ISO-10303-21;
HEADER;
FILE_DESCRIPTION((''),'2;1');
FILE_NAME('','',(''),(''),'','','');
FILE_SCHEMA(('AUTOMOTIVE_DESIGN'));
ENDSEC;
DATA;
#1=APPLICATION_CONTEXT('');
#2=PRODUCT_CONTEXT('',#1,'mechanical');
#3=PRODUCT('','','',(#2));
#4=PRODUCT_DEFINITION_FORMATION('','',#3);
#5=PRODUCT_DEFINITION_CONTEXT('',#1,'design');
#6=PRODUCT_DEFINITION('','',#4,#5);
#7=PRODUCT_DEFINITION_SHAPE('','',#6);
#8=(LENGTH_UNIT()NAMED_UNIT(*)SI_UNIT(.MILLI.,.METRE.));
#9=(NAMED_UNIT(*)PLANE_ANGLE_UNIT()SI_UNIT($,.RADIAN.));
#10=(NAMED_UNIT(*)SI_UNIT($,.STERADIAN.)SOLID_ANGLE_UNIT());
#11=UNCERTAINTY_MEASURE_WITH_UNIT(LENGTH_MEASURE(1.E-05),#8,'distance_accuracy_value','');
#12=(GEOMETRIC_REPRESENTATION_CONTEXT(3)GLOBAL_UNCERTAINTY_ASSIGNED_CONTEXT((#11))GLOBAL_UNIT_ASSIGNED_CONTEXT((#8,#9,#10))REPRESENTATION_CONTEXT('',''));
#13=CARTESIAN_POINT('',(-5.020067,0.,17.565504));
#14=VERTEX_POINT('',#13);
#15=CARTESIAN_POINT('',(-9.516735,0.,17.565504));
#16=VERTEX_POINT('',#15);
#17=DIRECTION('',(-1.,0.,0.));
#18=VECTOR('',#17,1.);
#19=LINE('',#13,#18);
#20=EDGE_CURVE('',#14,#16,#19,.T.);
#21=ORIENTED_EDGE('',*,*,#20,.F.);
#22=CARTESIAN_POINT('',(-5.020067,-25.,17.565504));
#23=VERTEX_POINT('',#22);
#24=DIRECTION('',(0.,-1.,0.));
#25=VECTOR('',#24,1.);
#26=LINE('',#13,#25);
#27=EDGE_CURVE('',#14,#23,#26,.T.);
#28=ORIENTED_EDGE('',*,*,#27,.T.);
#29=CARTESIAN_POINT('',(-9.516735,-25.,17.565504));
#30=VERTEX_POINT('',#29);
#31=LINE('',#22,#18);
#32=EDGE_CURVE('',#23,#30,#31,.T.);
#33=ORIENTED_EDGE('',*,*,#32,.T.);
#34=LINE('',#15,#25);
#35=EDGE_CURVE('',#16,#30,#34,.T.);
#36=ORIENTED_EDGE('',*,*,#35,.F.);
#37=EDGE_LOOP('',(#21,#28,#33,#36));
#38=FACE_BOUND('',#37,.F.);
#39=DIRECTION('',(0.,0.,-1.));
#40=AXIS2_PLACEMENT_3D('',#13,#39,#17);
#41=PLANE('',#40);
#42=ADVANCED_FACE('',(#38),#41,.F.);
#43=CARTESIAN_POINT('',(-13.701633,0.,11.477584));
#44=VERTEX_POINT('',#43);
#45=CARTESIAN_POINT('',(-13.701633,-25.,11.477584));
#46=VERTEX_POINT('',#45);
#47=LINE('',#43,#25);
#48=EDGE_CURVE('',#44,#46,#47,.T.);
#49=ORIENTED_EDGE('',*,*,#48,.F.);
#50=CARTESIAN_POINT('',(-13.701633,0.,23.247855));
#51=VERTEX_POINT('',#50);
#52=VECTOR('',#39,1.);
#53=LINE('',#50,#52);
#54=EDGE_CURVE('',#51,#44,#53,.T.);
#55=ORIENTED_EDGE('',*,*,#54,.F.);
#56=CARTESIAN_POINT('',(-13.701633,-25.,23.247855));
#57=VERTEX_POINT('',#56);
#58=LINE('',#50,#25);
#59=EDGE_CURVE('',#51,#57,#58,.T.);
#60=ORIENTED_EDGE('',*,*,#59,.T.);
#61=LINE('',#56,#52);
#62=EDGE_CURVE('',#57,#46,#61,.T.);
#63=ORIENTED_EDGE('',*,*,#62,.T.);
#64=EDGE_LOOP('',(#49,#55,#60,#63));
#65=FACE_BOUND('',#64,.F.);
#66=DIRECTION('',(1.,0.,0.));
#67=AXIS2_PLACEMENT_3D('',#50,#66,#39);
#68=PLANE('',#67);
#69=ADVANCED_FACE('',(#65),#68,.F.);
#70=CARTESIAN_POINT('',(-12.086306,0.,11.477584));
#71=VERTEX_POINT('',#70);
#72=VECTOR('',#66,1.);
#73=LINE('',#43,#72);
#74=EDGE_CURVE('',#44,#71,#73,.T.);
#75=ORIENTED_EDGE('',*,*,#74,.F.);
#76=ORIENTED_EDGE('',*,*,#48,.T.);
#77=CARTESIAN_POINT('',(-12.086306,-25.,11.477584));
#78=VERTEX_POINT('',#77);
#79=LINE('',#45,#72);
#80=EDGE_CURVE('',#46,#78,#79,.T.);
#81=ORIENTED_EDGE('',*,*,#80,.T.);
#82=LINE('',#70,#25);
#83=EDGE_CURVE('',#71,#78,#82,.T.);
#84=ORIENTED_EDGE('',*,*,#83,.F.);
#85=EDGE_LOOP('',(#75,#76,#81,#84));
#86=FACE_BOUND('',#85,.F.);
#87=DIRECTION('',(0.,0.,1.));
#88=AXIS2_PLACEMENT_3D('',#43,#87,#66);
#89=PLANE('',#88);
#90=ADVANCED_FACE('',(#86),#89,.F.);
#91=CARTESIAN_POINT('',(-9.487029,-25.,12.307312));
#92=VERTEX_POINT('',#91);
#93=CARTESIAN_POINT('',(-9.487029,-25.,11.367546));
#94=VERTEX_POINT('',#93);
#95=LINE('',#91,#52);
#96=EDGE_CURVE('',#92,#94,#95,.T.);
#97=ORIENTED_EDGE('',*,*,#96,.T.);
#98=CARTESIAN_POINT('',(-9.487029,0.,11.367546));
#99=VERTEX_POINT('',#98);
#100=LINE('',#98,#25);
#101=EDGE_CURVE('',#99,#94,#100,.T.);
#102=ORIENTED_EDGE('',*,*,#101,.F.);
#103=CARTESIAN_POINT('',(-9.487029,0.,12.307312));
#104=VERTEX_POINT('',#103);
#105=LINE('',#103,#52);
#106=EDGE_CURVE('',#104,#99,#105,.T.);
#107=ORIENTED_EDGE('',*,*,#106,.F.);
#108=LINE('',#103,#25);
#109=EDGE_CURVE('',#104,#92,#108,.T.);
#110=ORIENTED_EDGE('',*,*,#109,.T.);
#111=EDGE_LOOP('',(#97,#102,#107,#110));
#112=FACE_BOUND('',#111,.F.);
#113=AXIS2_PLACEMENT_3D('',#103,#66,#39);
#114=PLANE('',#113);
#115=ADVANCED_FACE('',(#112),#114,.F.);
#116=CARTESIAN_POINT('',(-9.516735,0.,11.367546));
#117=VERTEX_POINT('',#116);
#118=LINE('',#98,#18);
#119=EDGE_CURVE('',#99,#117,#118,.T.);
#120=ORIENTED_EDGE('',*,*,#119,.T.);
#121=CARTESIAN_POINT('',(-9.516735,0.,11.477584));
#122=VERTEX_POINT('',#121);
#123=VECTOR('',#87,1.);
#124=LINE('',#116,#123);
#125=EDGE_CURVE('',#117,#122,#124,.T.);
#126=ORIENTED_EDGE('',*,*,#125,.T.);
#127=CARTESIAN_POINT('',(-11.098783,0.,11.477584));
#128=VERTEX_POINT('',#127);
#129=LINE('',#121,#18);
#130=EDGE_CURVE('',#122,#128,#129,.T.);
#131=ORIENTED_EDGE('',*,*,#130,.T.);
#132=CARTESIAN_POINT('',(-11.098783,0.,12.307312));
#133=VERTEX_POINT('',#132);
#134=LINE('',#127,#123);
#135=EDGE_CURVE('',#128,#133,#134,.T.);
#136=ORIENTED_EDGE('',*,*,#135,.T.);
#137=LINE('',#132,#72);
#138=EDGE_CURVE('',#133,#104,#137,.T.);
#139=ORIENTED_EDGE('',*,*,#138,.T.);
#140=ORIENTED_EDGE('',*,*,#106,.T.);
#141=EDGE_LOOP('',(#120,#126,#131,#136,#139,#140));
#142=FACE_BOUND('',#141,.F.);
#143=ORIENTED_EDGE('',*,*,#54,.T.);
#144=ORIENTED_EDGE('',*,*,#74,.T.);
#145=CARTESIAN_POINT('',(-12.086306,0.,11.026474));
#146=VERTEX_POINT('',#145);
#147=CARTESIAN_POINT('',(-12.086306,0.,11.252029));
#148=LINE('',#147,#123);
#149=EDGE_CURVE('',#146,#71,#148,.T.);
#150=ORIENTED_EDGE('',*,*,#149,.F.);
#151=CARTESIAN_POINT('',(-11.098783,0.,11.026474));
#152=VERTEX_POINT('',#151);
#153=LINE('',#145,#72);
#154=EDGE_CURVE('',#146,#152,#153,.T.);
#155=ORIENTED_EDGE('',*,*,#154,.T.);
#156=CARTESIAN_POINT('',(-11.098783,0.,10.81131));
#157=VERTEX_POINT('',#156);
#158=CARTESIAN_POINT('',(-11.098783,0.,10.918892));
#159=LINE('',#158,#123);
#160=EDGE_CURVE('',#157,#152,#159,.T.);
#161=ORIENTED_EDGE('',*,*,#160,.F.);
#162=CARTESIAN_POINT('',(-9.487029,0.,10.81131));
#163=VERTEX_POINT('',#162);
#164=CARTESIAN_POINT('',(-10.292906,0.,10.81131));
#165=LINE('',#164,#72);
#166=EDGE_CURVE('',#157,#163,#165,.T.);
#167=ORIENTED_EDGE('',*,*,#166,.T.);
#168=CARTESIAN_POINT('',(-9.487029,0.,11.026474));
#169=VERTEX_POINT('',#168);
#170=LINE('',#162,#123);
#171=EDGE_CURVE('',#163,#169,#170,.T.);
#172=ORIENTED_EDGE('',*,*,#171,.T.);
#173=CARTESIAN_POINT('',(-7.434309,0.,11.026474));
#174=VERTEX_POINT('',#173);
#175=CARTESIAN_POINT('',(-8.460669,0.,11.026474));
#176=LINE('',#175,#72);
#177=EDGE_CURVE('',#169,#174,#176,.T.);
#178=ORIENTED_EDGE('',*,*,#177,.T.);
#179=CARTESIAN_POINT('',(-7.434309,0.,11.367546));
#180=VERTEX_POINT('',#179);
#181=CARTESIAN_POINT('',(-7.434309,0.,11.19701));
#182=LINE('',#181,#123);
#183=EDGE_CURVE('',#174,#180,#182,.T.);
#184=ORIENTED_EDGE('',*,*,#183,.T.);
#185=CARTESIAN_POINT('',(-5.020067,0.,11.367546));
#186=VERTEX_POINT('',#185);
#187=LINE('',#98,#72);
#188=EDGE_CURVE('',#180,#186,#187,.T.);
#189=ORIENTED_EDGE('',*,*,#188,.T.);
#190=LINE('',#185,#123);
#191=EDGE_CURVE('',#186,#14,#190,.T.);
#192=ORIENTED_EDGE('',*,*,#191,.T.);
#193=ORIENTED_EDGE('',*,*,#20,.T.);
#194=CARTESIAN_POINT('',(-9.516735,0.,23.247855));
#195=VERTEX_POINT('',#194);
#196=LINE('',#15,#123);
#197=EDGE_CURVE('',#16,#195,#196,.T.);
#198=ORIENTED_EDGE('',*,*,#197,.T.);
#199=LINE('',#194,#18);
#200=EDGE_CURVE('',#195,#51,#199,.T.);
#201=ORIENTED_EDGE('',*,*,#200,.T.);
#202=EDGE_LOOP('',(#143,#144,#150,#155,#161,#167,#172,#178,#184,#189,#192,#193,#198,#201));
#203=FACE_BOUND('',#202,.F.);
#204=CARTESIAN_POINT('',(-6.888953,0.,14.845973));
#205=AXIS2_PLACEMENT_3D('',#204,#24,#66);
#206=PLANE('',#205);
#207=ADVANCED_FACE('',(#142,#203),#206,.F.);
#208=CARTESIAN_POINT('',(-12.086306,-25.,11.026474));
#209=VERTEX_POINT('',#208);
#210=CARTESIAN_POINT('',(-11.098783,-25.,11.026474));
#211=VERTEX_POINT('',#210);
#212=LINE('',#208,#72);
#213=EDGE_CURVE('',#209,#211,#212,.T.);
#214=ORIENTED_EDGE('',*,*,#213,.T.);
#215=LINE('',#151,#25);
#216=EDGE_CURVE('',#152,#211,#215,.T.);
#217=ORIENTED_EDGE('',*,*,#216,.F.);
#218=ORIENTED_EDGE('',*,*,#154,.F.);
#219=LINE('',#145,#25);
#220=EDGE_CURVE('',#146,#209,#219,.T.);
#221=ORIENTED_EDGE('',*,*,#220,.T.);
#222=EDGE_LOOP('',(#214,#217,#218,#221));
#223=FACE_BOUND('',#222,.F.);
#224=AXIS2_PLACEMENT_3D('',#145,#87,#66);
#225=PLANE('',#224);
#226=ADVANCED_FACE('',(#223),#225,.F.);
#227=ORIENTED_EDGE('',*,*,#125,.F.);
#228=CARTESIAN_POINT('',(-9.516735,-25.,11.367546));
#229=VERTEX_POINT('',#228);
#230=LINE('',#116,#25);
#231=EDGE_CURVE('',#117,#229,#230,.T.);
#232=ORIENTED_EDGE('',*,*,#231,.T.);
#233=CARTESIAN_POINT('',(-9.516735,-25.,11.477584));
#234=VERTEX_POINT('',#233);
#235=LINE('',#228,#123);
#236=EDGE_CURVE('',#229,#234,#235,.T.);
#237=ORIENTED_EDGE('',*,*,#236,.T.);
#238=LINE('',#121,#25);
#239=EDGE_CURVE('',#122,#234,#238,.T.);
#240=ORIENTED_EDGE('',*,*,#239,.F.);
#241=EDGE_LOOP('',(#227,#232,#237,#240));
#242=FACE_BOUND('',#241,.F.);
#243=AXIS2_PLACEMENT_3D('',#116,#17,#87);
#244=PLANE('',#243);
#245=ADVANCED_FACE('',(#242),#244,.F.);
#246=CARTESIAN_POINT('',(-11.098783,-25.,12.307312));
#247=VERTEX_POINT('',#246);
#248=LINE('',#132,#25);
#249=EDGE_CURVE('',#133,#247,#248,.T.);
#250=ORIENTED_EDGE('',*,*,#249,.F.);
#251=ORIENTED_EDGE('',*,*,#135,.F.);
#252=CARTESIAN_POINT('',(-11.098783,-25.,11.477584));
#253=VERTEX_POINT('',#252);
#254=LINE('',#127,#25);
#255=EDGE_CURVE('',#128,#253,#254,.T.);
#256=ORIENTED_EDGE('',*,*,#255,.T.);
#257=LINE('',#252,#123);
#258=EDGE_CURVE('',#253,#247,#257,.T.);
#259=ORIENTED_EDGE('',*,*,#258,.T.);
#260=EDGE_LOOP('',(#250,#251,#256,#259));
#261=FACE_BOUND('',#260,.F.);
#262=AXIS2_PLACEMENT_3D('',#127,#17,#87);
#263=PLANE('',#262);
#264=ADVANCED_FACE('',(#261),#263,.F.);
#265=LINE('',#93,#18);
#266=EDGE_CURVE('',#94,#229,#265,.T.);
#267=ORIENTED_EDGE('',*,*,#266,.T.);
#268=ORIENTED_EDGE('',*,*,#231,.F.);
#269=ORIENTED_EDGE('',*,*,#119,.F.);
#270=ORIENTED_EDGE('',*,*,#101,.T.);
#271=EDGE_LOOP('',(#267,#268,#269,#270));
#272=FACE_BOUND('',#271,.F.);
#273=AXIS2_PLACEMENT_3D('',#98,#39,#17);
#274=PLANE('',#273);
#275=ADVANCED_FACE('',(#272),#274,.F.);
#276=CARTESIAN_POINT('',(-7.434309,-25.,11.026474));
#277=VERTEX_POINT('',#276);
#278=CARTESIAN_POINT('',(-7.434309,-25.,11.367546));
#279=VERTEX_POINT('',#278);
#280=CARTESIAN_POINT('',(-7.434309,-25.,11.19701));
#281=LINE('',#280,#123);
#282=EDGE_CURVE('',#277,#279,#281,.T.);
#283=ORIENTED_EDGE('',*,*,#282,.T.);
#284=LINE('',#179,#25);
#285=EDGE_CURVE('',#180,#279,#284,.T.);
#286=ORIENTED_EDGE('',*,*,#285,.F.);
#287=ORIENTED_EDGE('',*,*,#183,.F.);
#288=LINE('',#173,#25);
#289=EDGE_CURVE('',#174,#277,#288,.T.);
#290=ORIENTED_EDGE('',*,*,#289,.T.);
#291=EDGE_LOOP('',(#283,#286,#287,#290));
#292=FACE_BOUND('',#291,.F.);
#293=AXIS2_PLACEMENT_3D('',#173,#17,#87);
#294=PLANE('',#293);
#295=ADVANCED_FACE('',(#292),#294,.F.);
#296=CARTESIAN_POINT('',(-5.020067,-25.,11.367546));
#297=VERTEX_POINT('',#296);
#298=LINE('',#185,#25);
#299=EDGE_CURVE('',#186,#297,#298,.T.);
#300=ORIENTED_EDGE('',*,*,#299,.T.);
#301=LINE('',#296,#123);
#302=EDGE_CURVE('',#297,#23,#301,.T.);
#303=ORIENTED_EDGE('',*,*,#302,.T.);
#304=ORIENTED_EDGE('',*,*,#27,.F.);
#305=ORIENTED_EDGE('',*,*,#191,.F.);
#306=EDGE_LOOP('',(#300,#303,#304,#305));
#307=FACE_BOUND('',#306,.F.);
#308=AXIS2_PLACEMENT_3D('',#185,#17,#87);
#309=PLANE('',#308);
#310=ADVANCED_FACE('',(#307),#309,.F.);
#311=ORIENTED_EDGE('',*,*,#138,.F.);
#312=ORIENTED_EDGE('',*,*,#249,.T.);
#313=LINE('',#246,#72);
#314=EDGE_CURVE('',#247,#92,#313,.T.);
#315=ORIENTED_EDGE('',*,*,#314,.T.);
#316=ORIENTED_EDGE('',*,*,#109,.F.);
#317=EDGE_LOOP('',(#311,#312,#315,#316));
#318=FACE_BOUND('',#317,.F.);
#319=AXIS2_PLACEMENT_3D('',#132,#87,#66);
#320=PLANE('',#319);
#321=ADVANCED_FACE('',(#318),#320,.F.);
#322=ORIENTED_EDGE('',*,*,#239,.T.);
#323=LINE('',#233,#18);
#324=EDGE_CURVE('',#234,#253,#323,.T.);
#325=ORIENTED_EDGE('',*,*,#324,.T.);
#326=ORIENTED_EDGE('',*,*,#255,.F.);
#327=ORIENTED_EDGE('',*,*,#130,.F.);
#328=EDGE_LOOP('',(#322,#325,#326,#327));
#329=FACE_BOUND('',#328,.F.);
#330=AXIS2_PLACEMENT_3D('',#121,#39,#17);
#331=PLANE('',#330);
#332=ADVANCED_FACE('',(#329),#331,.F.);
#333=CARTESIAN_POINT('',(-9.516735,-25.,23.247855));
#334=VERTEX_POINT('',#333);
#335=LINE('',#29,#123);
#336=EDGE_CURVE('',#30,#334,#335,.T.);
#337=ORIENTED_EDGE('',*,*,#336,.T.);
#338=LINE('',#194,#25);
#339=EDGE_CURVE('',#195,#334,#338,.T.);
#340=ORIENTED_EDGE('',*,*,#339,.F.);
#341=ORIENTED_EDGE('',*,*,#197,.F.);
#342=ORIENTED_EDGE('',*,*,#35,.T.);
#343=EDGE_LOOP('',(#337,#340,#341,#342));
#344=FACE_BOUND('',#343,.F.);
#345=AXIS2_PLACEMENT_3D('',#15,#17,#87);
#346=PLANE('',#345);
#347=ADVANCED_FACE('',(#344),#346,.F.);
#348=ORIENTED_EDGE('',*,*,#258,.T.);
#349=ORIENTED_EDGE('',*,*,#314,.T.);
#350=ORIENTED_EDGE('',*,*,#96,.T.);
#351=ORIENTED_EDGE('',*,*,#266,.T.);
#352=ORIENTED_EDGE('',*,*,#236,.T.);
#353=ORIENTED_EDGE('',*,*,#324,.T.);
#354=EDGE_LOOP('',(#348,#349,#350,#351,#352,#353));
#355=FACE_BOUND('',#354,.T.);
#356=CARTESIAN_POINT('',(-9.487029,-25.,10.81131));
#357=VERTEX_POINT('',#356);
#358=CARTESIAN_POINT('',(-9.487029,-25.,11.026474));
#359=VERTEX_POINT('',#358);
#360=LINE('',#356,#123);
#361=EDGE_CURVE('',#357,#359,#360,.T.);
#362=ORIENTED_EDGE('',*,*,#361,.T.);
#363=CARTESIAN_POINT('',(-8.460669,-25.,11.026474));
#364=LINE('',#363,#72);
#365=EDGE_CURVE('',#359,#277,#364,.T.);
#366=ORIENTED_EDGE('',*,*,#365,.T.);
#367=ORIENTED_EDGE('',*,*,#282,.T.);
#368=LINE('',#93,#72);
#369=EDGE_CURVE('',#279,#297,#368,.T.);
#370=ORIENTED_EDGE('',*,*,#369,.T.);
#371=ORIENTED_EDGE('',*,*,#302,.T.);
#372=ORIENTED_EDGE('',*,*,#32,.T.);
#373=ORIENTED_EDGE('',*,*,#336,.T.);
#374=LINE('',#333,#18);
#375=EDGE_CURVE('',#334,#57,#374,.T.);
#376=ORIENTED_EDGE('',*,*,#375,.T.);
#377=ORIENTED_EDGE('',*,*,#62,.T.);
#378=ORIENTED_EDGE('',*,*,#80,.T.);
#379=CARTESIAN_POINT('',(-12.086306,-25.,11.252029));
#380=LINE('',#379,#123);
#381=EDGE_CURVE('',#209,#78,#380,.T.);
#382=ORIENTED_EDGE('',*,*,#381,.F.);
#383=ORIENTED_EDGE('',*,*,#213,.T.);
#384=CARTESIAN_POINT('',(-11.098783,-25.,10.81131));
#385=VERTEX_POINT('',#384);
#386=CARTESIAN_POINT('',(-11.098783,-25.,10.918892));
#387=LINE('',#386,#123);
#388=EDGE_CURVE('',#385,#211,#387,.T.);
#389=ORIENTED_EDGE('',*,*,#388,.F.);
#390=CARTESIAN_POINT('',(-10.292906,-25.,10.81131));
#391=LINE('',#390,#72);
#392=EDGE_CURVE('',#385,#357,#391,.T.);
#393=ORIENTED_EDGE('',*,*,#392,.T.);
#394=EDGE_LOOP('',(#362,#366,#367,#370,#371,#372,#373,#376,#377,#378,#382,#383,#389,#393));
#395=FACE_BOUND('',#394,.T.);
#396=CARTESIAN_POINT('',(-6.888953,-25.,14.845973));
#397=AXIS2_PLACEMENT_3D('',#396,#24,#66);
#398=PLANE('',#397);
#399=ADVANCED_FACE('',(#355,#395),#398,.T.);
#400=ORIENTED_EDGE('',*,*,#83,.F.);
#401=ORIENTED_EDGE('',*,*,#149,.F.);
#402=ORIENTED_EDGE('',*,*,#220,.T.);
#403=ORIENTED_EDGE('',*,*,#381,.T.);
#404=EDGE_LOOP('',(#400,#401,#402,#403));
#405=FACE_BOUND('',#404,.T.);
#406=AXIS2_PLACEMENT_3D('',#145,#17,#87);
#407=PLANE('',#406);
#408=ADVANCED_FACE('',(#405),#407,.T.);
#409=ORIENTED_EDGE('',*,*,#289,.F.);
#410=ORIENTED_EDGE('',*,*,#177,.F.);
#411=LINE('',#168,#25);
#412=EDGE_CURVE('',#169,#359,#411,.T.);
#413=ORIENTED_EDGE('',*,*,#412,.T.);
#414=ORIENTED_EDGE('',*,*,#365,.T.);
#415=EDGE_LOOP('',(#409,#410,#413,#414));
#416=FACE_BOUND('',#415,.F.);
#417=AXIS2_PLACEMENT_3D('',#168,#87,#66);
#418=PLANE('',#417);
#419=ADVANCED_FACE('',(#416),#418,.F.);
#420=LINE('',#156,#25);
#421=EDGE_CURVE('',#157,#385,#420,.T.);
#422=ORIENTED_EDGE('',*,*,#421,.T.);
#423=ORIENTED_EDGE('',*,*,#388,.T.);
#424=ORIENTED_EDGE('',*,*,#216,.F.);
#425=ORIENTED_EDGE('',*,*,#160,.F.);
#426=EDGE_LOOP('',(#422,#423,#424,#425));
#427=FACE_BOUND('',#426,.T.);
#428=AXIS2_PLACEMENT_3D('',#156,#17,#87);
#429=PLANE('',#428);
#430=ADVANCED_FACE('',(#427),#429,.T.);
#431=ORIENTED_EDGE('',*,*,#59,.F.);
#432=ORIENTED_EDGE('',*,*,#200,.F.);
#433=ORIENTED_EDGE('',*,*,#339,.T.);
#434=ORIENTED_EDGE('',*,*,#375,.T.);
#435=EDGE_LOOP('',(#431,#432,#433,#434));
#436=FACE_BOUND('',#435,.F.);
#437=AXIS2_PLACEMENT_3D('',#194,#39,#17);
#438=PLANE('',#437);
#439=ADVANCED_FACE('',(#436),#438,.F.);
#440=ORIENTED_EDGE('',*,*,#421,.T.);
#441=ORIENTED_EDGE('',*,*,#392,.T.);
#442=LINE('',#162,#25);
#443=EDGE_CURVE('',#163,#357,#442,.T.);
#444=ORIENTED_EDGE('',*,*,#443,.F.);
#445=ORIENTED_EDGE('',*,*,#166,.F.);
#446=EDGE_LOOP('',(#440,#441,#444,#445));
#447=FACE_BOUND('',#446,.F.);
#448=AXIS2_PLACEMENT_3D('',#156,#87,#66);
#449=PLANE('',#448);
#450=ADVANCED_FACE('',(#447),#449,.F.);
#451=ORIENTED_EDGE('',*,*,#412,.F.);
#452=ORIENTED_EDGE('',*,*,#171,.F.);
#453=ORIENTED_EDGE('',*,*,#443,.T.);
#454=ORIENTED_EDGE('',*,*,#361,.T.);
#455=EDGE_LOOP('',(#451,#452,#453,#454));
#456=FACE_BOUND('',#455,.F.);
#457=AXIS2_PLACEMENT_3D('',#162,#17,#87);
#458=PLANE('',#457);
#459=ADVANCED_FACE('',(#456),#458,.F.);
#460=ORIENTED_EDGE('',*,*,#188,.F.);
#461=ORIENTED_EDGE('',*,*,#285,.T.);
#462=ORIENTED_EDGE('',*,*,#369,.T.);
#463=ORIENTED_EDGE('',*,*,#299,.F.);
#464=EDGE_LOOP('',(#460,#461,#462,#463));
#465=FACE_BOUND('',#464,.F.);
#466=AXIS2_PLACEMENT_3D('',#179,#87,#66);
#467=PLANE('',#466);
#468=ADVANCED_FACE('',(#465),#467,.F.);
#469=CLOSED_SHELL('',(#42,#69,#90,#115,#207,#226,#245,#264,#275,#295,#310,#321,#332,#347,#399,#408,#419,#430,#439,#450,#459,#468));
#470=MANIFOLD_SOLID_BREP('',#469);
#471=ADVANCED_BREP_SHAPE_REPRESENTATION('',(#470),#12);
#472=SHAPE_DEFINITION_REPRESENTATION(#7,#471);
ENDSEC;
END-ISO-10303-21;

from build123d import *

# Parameters (mm, degrees)
F0_W     = 0.9875223041
F0_H     = 0.4511103034
F0_W_2   = 1.6117542982
F0_H_2   = 0.2151634544
F0_W_3   = 2.0527206361
F0_H_3   = 0.3410726786
F1_DEPTH = 25


with BuildPart() as f1:
    # F0 (on Front) → F1 (new body)
    with BuildSketch(Plane.XZ):
        Polygon((-5.0200670958, 17.5655037165), (-9.5167346299, 17.5655037165), (-9.5167346299, 15.2649758384), (-7.4343085289, 15.2649758384), (-7.4343085289, 11.3675463945), (-5.0200670958, 11.3675463945), align=None)
        Polygon((-9.5167346299, 23.2478547841), (-13.7016326189, 23.2478547841), (-13.7016326189, 11.4775840193), (-12.0863057673, 11.4775840193), (-12.0863057673, 15.2649758384), (-9.5167346299, 15.2649758384), (-9.5167346299, 17.5655037165), align=None)
        Polygon((-12.0863057673, 15.2649758384), (-12.0863057673, 11.4775840193), (-11.0987834632, 11.4775840193), (-11.0987834632, 12.3073123395), (-9.5167346299, 12.3073123395), (-9.5167346299, 15.2649758384), align=None)
        with Locations((-11.5925446153, 11.2520288676)):
            Rectangle(F0_W, F0_H)
        Polygon((-7.4343085289, 15.2649758384), (-9.5167346299, 15.2649758384), (-9.5167346299, 12.3073123395), (-9.487029165, 12.3073123395), (-9.487029165, 11.3675463945), (-7.4343085289, 11.3675463945), align=None)
        Polygon((-9.5167346299, 11.4775840193), (-11.0987834632, 11.4775840193), (-11.0987834632, 11.0264737159), (-9.487029165, 11.0264737159), (-9.487029165, 11.3675463945), (-9.5167346299, 11.3675463945), align=None)
        with Locations((-10.2929063141, 10.9188919887)):
            Rectangle(F0_W_2, F0_H_2)
        with Locations((-8.460668847, 11.1970100552)):
            Rectangle(F0_W_3, F0_H_3)
    extrude(amount=F1_DEPTH)


solid = f1.part
